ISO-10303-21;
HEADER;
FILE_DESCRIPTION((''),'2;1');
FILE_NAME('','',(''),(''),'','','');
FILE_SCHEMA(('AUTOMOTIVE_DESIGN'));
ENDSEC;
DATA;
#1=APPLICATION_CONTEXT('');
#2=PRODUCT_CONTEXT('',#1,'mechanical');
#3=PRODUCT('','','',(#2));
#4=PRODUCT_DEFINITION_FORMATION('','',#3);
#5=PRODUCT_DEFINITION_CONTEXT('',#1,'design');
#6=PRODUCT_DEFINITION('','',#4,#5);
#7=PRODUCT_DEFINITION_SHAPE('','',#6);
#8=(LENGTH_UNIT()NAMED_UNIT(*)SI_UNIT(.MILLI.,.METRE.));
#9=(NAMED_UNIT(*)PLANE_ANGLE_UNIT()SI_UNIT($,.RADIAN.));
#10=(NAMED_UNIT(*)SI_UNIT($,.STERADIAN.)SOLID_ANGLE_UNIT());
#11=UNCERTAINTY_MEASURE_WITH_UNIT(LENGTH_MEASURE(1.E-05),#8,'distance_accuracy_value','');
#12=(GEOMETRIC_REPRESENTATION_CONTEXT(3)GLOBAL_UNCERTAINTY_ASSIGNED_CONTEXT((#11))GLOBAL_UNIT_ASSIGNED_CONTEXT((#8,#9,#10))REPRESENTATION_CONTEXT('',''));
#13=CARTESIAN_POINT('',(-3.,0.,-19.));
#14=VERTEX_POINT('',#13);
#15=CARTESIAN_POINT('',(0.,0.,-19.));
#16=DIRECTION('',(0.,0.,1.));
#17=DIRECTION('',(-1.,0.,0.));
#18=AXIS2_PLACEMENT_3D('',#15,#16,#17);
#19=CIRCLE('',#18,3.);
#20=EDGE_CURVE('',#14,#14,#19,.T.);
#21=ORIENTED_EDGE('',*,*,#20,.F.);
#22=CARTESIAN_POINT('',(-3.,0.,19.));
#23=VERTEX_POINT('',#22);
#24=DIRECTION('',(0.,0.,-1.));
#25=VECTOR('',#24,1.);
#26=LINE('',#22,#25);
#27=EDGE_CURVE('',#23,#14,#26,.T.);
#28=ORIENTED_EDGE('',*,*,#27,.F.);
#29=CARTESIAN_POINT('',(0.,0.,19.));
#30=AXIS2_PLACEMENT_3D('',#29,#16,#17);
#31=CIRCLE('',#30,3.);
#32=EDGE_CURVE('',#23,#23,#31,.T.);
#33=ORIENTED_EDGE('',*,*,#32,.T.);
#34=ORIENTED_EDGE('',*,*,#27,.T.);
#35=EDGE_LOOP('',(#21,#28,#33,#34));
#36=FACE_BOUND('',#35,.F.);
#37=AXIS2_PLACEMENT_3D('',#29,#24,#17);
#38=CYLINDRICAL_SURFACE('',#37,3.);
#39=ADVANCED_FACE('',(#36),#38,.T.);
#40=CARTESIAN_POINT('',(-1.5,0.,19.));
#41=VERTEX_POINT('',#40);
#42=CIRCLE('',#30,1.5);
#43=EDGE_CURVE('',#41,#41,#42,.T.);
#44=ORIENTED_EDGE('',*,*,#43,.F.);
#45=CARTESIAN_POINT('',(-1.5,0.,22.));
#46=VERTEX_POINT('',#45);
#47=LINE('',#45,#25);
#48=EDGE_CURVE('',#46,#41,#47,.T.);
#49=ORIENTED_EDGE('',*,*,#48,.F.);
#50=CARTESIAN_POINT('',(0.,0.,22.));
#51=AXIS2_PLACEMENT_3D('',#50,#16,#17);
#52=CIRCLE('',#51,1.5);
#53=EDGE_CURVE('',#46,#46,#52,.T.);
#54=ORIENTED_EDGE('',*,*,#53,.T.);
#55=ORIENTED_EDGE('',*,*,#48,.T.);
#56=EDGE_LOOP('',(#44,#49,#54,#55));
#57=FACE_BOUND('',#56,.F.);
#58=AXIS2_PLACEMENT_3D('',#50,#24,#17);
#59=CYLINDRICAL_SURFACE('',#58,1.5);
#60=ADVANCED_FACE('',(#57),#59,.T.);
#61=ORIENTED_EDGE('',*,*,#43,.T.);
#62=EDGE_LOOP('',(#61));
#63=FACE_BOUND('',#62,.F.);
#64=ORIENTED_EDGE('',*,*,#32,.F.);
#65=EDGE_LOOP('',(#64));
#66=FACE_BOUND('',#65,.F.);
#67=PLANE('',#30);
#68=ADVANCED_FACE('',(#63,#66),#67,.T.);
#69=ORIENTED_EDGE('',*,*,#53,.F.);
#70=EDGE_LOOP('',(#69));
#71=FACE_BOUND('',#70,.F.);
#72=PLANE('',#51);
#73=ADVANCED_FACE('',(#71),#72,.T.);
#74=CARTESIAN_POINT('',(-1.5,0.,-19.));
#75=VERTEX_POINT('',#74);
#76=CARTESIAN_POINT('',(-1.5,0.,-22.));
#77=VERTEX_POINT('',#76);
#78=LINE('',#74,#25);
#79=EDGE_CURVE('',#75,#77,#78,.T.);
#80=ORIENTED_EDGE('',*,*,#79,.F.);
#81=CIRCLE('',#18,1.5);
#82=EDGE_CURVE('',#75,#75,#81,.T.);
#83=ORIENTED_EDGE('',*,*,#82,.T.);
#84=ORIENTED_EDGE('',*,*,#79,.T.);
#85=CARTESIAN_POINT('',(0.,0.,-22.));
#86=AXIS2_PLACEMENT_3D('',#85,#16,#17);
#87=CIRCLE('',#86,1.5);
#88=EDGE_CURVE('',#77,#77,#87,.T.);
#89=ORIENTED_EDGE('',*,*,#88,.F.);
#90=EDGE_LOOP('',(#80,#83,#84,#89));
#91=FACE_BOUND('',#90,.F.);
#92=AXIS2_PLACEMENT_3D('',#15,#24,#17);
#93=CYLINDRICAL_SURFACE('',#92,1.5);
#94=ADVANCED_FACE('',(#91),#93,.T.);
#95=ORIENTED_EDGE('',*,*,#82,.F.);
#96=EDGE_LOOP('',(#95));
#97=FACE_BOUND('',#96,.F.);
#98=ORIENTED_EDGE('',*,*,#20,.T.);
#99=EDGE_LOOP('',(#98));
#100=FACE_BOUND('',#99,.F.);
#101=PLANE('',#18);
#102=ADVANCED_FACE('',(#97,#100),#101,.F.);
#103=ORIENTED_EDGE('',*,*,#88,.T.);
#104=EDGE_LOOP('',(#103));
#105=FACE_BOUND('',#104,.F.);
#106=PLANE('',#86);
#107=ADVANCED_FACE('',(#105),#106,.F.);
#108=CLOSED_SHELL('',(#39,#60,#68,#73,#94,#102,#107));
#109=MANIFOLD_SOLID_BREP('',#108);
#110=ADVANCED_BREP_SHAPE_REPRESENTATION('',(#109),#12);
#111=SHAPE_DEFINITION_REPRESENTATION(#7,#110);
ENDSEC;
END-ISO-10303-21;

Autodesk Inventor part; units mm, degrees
ref_plane "YZ Plane" through (0, 0, 0) normal (1, 0, 0) x (0, 1, 0)
ref_plane "XZ Plane" through (0, 0, 0) normal (0, 1, 0) x (-1, 0, 0)
ref_plane "XY Plane" through (0, 0, 0) normal (0, 0, 1) x (1, 0, 0)
sketch "Sketch1" plane through (0, 0, 0) normal (0, 1, 0) x (-1, 0, 0)
  line L0 (0, -22) -> (0, 22)
  line L1 (0, 22) -> (1.5, 22)
  line L2 (1.5, 22) -> (1.5, 19)
  line L3 (1.5, 19) -> (3, 19)
  line L4 (3, 19) -> (3, -19)
  line L5 (3, -19) -> (1.5, -19)
  line L6 (1.5, -19) -> (1.5, -22)
  line L7 (1.5, -22) -> (0, -22)
  point P0 (0, 0)
  point P1 (0, 0)
  point P2 (3, 0)
  dimension "d1" = 6
  dimension "d2" = 3
  dimension "d3" = 3
  dimension "d4" = 44
revolve "Revolution1" add sketch "Sketch1" angle 360 about axis through (0, 0, -22) along (0, 0, 1)
thread "Thread1" size "M3x0.5" class "6g" standard "ANSI Metric M Profile" full length
thread "Thread2" size "M3x0.5" class "6g" standard "ANSI Metric M Profile" full length
equation "\"d4\" = L"
equation "\"L\" = 44"
properties part number "Shaft" material "Stainless Steel"
